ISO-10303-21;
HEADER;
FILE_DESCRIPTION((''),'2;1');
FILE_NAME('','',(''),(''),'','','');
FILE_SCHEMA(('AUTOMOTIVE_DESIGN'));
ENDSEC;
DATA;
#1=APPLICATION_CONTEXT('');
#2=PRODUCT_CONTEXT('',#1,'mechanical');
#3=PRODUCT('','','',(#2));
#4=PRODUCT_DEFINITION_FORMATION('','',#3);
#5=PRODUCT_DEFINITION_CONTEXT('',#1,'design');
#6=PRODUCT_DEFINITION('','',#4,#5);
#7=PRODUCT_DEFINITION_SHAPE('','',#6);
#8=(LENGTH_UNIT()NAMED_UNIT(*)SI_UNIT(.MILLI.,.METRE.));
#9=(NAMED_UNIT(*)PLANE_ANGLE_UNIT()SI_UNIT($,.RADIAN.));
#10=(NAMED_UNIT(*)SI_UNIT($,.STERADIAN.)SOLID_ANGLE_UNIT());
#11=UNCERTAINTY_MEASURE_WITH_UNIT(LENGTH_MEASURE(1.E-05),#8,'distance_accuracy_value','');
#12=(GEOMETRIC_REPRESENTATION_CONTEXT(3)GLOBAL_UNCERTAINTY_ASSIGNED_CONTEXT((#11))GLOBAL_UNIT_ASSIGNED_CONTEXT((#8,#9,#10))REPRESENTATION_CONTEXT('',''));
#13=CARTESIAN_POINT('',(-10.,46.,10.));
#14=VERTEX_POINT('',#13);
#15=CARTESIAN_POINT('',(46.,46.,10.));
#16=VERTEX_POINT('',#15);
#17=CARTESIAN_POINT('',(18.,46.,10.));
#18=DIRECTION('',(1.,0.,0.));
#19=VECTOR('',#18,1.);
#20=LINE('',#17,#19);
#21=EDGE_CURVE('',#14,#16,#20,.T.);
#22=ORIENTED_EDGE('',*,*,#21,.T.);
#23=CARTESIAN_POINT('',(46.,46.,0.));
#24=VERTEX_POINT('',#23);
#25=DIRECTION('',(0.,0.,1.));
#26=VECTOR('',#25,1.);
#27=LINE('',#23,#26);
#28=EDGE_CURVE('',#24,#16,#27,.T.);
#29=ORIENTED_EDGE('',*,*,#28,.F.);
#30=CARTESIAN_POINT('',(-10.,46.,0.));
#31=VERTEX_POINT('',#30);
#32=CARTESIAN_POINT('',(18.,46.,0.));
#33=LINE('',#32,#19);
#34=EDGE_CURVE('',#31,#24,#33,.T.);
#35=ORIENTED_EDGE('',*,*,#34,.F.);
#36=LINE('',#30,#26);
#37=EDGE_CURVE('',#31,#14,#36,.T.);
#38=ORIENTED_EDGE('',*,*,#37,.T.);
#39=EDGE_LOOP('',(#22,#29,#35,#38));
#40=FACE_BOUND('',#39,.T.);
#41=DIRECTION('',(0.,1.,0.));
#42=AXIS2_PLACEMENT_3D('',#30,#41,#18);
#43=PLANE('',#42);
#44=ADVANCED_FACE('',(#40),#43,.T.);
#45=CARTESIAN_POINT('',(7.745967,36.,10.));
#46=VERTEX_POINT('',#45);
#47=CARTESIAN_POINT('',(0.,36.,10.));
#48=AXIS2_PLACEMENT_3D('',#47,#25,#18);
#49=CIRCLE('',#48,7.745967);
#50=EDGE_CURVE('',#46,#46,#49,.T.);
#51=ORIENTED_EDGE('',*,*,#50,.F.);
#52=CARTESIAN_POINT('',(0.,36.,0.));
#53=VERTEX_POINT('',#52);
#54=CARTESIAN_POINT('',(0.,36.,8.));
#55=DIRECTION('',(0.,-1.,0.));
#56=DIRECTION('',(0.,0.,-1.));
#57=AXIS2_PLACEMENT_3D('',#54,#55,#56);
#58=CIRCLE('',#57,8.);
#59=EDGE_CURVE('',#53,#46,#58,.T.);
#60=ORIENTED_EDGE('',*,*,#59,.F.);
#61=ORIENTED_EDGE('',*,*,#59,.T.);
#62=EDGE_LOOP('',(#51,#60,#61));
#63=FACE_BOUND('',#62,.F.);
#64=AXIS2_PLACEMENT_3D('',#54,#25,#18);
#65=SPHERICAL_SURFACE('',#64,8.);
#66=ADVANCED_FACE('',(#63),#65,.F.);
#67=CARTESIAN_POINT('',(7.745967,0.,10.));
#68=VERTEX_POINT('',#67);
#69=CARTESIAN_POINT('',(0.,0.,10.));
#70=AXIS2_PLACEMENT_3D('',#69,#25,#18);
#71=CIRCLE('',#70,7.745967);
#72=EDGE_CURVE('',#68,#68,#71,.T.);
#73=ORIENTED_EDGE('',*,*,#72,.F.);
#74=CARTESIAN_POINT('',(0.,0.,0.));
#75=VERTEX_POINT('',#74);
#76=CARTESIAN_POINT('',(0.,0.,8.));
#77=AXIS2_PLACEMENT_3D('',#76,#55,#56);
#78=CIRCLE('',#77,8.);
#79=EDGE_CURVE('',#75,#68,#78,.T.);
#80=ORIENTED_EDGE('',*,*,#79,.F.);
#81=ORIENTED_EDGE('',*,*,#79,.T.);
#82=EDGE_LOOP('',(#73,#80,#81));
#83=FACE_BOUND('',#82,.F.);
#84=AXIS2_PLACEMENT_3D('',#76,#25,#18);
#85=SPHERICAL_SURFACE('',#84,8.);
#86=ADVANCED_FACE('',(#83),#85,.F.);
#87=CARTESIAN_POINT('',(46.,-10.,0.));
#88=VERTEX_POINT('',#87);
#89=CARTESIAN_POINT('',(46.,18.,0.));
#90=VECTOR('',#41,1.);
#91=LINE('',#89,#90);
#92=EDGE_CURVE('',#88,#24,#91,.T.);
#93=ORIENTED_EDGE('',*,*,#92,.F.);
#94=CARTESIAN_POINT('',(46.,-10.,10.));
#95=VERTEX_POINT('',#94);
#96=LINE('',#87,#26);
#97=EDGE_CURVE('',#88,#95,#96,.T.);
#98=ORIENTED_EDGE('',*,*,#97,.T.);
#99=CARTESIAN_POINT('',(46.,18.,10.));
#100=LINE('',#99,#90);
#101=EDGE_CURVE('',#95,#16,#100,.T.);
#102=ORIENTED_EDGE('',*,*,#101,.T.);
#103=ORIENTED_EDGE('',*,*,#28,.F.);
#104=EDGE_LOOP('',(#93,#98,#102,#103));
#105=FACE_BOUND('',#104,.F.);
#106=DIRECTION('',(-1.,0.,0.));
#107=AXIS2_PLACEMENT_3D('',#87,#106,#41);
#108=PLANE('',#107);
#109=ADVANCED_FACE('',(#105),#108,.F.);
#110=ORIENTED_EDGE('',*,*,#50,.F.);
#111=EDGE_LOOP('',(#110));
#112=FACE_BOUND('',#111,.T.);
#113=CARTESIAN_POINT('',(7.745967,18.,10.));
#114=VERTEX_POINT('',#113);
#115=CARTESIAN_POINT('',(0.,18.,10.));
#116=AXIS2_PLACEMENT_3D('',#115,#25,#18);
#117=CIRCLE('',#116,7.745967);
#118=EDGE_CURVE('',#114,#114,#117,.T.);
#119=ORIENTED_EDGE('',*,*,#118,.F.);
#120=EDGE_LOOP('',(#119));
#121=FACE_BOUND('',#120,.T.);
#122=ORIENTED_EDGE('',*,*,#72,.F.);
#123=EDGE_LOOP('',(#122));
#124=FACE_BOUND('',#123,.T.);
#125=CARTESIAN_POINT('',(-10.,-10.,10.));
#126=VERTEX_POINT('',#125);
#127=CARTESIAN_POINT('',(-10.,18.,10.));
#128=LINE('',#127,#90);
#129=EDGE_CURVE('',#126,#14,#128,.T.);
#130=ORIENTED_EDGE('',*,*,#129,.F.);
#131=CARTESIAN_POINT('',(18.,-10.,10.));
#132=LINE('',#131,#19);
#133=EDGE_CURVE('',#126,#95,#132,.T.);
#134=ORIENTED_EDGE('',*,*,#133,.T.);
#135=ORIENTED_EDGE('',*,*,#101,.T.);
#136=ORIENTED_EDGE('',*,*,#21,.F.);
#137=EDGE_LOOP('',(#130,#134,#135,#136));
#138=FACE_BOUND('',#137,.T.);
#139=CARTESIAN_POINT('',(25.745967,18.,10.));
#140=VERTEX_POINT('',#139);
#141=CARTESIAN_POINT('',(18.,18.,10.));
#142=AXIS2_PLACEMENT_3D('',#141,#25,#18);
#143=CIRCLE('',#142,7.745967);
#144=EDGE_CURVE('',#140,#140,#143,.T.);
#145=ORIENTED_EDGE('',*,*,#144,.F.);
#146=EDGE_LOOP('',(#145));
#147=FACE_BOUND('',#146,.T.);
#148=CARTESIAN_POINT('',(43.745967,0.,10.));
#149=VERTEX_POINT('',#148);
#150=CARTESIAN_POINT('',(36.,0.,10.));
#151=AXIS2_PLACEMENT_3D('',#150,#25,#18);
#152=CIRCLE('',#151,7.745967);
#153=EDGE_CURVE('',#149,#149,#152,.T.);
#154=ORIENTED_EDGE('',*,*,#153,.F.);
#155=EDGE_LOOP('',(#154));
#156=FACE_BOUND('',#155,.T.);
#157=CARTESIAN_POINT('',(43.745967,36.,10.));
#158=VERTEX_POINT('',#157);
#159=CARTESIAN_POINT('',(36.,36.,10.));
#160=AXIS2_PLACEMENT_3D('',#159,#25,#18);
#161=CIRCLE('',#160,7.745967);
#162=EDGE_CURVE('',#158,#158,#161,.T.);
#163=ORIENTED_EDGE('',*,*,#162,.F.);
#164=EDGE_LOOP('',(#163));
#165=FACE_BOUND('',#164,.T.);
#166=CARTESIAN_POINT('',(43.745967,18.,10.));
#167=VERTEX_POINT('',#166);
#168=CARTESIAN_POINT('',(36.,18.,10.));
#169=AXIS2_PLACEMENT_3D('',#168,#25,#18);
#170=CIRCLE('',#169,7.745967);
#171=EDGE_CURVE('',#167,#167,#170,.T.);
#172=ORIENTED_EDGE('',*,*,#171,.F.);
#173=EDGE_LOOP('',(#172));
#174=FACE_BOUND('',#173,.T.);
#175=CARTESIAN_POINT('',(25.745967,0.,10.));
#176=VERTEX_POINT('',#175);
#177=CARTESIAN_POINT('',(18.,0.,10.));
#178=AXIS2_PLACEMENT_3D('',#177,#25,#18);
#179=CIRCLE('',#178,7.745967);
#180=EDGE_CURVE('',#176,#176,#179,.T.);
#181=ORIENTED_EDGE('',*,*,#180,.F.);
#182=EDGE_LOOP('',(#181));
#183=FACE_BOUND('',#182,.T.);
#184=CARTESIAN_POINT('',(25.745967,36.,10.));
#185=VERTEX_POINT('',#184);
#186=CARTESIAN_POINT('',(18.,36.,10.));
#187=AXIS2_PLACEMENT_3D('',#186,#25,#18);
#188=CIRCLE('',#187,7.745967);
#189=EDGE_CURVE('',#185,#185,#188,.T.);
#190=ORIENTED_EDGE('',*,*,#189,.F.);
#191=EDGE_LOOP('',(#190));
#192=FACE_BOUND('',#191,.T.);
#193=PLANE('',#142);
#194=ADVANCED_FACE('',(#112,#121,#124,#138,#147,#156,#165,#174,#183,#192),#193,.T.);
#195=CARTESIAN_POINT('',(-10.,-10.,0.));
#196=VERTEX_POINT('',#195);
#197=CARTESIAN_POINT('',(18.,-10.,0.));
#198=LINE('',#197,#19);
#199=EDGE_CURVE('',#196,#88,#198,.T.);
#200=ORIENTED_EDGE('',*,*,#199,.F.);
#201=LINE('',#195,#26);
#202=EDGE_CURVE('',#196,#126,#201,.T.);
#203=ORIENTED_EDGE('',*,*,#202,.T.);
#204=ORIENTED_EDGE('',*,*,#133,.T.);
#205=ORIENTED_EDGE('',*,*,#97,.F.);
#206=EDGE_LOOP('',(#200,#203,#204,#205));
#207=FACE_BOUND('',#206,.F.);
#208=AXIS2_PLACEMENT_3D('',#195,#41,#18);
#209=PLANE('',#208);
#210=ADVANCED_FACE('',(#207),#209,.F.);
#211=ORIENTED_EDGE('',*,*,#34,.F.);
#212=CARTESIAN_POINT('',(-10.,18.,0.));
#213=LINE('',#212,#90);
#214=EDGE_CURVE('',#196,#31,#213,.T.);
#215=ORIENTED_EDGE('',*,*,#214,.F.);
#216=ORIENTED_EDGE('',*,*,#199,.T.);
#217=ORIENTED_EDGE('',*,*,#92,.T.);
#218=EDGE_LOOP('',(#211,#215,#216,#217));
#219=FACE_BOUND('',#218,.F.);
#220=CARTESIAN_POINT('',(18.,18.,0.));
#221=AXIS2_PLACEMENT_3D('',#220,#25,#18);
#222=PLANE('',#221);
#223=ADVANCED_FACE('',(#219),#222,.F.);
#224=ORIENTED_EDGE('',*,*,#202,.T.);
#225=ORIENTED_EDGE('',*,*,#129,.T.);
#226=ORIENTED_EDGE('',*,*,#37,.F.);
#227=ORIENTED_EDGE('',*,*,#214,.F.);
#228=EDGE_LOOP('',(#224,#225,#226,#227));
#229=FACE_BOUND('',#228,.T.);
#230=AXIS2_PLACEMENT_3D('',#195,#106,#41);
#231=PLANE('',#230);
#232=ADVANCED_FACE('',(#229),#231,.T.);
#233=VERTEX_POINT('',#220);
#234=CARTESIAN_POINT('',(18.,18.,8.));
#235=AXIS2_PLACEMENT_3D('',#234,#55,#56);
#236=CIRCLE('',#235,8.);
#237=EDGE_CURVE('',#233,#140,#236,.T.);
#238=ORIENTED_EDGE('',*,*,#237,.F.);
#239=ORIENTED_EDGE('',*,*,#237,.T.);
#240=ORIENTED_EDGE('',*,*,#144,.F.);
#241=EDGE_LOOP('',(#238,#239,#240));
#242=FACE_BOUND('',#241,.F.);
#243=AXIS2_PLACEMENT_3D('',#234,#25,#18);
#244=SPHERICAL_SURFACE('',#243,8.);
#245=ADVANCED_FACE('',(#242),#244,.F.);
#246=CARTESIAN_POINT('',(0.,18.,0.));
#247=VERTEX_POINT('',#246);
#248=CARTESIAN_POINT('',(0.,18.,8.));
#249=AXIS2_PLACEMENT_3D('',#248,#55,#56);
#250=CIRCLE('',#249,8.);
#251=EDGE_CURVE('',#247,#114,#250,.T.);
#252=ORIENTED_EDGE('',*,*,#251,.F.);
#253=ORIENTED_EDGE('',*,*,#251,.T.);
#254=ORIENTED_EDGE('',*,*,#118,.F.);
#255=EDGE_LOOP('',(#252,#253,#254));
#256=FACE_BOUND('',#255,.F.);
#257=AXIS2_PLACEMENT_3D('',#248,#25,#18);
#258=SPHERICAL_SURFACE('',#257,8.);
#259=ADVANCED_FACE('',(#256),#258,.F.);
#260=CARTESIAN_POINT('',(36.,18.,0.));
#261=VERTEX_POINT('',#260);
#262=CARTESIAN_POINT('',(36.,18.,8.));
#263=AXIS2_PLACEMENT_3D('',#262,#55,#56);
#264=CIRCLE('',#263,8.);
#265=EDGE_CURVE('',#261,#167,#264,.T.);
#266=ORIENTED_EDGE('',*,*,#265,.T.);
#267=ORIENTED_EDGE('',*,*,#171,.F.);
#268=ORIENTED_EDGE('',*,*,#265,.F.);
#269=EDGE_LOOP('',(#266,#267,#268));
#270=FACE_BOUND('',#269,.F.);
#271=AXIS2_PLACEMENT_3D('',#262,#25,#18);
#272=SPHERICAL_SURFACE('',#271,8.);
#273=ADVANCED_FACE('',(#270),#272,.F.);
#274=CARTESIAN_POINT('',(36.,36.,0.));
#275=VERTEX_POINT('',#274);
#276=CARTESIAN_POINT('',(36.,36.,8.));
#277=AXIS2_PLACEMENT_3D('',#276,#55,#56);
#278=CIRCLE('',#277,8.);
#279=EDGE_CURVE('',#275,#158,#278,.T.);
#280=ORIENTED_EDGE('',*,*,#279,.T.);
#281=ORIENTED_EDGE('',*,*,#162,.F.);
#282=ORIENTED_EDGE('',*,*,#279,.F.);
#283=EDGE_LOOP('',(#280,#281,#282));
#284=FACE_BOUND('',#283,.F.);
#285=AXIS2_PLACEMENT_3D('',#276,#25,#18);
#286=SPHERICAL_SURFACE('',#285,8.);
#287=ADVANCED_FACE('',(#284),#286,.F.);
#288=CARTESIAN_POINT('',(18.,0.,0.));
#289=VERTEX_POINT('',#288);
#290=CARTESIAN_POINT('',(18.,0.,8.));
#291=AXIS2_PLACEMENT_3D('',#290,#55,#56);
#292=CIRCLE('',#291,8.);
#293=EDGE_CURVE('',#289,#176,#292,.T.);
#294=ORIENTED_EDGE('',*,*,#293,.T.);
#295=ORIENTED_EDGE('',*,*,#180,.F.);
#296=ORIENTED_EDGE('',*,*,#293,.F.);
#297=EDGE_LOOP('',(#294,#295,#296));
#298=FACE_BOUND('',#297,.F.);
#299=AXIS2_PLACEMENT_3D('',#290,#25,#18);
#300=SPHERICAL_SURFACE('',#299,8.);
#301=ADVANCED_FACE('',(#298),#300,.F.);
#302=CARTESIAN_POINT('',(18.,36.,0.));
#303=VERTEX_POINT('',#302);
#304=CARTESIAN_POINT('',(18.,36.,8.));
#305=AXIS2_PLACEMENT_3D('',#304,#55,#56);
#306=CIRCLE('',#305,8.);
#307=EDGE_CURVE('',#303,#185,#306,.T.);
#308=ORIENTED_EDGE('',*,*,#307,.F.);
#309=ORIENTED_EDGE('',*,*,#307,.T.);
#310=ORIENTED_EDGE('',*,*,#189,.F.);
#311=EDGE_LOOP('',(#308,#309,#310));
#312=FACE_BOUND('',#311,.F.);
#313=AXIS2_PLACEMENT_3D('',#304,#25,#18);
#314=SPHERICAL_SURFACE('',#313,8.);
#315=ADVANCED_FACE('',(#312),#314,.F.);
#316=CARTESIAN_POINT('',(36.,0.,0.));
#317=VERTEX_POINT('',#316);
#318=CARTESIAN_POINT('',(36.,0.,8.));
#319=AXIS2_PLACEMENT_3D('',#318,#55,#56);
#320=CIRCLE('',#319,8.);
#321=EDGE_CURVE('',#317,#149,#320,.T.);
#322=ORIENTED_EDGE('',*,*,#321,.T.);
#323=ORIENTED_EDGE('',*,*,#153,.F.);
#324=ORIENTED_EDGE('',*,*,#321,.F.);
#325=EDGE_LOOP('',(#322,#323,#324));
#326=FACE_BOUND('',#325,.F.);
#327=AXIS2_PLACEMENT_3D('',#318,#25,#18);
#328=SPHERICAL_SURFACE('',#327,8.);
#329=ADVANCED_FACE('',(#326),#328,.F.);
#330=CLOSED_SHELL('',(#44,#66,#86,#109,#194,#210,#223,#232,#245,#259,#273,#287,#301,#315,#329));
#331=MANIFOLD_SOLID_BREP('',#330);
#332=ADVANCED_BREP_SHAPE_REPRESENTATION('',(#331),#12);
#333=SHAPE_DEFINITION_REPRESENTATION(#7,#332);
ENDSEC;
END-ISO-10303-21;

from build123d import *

# Parameters (mm, degrees)
ARRAY_X_COUNT = 3
ARRAY_X_PITCH = 18
ARRAY_Y_COUNT = 3
ARRAY_Y_PITCH = 18
BOX_W         = 56
BOX_H         = 56
BOX_DEPTH     = 10


with BuildPart() as array:
    # Sphere → Sphere (revolve)
    with BuildSketch(Plane(origin=(0, 0, 8), x_dir=(1, 0, 0), z_dir=(0, -1, 0))):
        with BuildLine():
            ThreePointArc((0, -8), (8, 0), (0, 8))
            Line((0, 8), (0, -8))
        make_face()
    revolve(axis=Axis((0, 0, 8), (0, 0, 1)))

    # Array X: Array ×3


with BuildPart() as array_1:
    add(array.part)
    with Locations(*[(i * ARRAY_X_PITCH, 0, 0) for i in range(1, ARRAY_X_COUNT)]):
        add(array.part)

    # Array Y: Array ×3


with BuildPart() as array_2:
    add(array_1.part)
    with Locations(*[(0, i * ARRAY_Y_PITCH, 0) for i in range(1, ARRAY_Y_COUNT)]):
        add(array_1.part)


with BuildPart() as cut:
    # Box → Box (new body)
    with BuildSketch(Plane(origin=(-10, -10, 0), x_dir=(1, 0, 0), z_dir=(0, 0, 1))):
        with Locations((28, 28)):
            Rectangle(BOX_W, BOX_H)
    extrude(amount=BOX_DEPTH)

    # Cut: cut Array
    add(array_2.part, mode=Mode.SUBTRACT)


solid = cut.part
